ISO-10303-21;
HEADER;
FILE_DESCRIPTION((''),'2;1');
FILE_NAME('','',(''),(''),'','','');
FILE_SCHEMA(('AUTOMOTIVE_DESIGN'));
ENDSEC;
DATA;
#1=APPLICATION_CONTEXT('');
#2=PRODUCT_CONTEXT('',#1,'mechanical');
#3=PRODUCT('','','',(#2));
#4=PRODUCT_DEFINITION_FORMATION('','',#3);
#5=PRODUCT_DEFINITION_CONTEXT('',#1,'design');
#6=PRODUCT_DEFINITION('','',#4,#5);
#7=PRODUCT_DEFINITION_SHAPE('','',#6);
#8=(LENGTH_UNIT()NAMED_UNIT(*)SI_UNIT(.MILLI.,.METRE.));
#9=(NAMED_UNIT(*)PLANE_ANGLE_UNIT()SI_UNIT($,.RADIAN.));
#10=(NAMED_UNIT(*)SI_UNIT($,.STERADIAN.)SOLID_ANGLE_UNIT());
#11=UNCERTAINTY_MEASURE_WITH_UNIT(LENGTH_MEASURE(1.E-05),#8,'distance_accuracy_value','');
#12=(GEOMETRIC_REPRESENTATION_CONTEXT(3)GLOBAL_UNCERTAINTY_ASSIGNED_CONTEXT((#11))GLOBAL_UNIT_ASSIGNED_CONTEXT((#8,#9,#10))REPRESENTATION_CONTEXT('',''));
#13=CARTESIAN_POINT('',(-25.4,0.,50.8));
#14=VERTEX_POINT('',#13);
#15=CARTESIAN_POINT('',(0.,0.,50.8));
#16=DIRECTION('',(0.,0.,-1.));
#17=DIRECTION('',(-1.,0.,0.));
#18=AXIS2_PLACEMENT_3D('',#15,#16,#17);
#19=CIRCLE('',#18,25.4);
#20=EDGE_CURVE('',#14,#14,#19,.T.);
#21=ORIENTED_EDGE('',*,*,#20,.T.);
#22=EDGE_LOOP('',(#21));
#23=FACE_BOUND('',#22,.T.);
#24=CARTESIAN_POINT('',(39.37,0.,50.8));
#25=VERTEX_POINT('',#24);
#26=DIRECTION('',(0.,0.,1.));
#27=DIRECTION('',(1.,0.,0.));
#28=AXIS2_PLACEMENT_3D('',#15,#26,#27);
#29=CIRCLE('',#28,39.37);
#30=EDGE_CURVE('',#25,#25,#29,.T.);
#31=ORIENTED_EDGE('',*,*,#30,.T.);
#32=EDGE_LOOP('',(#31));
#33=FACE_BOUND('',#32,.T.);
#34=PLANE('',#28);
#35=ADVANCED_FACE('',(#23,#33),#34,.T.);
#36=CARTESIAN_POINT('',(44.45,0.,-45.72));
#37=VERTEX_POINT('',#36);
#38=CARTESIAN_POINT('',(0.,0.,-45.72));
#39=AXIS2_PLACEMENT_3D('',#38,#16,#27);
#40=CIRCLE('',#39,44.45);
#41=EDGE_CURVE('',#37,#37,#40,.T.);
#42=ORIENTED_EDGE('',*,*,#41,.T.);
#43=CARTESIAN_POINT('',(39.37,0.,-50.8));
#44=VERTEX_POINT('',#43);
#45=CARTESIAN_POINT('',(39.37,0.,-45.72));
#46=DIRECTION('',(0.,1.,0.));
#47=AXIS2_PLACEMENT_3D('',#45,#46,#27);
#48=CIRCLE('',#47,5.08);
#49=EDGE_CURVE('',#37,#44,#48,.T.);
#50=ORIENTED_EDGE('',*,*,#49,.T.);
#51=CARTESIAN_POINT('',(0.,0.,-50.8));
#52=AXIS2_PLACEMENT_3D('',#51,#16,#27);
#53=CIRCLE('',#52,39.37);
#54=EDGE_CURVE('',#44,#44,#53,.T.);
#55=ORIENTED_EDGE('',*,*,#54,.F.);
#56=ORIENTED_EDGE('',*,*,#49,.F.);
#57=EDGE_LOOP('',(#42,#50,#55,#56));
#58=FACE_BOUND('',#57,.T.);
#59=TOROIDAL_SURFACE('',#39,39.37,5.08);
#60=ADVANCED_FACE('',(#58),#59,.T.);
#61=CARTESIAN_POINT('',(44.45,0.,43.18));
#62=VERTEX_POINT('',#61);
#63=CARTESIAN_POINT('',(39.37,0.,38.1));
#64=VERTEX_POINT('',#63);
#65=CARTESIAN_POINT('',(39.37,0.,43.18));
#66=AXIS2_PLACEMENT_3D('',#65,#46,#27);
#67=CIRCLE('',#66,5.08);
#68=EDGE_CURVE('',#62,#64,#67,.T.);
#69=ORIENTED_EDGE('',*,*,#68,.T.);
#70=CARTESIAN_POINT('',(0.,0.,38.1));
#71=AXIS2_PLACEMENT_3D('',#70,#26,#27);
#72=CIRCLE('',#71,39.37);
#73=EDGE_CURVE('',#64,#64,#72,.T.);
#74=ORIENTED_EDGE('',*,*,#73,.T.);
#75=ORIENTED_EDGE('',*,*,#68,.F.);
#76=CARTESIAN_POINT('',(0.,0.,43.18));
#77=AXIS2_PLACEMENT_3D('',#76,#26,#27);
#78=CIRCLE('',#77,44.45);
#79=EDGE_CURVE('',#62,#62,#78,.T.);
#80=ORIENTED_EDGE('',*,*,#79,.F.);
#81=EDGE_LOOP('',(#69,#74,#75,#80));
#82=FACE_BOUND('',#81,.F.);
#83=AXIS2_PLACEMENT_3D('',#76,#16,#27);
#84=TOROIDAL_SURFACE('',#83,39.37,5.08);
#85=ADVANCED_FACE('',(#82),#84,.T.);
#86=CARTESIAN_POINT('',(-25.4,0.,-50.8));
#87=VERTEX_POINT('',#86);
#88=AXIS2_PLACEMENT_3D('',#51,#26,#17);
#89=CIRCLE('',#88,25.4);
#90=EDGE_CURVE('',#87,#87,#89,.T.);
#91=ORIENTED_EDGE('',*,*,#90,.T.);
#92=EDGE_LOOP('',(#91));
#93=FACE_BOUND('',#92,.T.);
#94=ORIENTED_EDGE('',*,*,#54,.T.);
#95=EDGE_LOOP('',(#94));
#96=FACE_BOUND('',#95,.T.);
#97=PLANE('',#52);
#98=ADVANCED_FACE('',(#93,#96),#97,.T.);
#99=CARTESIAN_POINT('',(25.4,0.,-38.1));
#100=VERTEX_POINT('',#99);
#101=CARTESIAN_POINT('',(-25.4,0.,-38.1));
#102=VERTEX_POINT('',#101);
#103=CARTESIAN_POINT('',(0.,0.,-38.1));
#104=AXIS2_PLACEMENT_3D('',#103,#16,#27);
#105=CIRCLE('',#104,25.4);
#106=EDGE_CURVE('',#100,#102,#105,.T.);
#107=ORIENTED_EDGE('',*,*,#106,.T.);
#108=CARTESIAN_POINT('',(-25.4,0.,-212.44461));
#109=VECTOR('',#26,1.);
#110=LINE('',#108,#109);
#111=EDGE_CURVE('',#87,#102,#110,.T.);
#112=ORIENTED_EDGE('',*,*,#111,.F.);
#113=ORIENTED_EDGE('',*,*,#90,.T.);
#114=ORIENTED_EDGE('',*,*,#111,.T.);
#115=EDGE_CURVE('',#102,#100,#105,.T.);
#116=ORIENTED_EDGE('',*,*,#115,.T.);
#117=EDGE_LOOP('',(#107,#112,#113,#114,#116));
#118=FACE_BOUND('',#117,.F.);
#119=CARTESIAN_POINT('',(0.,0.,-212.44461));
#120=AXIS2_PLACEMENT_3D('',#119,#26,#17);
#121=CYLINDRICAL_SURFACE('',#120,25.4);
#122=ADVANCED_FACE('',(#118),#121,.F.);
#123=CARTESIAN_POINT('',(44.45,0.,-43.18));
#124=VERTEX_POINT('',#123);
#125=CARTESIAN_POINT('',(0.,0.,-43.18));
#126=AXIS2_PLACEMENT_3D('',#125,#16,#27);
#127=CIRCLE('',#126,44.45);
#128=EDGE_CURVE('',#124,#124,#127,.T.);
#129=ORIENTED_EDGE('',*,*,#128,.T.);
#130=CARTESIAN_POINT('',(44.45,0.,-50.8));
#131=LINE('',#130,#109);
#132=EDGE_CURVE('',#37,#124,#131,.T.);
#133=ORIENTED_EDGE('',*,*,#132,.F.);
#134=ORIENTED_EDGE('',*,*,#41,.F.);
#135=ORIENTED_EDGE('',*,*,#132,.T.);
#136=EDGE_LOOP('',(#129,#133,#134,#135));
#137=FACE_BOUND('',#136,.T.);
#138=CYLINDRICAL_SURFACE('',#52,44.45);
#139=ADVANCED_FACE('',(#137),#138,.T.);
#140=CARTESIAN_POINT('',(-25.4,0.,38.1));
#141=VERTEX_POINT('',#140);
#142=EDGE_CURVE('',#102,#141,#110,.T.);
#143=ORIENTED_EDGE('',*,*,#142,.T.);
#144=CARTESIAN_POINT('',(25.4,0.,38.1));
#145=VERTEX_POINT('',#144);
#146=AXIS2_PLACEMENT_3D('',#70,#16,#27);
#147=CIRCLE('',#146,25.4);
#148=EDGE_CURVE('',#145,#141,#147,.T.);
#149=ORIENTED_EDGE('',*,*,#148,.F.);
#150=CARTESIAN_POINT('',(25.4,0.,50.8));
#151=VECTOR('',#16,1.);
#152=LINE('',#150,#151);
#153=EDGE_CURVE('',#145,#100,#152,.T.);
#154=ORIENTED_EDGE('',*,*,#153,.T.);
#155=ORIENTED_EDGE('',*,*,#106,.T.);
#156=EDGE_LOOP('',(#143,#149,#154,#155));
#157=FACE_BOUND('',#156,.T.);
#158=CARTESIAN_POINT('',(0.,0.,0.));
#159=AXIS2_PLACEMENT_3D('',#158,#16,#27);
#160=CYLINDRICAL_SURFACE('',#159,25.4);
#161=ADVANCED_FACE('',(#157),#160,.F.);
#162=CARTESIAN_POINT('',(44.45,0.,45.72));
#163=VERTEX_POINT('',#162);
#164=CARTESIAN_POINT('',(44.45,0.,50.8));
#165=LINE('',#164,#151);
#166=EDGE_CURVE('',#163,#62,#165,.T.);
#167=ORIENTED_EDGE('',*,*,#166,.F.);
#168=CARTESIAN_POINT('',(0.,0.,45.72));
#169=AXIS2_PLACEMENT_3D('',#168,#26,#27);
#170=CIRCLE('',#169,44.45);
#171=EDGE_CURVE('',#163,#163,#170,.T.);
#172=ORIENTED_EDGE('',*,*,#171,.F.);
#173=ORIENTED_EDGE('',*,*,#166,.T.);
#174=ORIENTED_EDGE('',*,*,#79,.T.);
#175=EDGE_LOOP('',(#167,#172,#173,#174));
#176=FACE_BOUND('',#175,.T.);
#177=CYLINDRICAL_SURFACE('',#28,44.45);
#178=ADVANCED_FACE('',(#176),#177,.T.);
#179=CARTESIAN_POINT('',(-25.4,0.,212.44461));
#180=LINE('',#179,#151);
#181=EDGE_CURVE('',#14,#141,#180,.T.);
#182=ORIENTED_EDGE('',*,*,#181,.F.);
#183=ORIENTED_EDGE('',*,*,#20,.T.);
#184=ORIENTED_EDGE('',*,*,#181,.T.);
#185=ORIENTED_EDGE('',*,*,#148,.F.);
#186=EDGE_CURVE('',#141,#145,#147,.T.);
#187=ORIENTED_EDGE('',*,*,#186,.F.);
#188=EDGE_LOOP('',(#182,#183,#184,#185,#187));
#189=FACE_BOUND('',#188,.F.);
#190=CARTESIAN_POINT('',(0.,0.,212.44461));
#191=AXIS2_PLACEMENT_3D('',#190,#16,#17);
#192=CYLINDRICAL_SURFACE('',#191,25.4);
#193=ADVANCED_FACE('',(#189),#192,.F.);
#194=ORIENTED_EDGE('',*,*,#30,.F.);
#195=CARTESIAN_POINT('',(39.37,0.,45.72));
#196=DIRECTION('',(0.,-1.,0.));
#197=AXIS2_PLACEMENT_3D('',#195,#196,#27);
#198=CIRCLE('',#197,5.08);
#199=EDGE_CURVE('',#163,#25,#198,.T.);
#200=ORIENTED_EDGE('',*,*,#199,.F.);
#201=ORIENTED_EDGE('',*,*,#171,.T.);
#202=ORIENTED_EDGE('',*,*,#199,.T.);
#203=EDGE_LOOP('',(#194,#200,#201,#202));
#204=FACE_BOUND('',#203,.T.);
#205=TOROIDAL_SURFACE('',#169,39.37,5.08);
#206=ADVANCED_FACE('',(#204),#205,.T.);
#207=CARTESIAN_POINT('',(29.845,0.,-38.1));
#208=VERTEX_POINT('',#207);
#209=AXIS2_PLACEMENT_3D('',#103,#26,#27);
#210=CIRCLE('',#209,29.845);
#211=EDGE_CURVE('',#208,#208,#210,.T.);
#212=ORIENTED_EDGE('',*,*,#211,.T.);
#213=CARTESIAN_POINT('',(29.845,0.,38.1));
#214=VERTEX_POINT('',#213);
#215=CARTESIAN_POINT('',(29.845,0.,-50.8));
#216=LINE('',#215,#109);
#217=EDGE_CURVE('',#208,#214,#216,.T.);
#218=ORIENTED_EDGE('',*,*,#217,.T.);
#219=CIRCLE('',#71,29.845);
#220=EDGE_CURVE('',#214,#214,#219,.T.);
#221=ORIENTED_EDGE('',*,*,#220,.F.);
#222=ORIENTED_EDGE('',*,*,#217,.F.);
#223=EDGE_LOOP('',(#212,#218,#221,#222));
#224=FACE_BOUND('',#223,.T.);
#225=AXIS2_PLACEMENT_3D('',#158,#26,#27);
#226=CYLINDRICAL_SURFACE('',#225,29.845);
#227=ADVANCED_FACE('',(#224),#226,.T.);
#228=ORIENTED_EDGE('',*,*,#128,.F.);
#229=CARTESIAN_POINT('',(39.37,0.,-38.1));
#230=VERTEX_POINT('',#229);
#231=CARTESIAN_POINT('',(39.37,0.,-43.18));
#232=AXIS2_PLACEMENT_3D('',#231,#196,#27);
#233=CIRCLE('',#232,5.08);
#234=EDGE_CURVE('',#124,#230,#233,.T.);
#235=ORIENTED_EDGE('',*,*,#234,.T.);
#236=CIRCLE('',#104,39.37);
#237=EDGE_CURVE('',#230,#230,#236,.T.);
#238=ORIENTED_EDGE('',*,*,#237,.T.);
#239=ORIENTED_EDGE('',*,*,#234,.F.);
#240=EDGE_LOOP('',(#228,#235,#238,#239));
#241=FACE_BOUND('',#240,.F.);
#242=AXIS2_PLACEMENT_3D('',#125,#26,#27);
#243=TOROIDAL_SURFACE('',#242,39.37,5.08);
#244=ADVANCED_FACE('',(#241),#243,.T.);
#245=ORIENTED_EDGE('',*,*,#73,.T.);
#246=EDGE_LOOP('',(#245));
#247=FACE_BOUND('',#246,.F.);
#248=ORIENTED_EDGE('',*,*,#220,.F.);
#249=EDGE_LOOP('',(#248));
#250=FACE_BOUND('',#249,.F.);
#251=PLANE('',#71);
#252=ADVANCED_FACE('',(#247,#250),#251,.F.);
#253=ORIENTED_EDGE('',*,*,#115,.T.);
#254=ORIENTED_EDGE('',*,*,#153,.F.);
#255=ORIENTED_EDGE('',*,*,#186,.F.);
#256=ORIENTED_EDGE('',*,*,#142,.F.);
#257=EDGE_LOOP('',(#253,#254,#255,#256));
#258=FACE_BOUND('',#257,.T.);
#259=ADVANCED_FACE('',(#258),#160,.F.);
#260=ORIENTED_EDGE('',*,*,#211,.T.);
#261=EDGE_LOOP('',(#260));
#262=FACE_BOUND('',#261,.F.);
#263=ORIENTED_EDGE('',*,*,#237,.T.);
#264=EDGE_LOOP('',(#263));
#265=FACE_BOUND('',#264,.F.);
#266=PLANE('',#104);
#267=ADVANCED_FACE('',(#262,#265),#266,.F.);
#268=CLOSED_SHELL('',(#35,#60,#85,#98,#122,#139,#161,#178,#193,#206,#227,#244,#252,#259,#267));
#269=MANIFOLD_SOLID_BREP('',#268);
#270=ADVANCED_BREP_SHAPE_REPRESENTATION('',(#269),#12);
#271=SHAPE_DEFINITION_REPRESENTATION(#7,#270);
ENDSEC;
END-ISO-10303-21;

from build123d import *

# Parameters (mm, degrees)
F0_R     = 29.845
F0_R_2   = 25.4
F1_DEPTH = 50.8
F2_R     = 44.45
F3_DEPTH = 12.7
F4_R     = 5.08
F6_D     = 50.8
F7_R     = 44.45
F8_DEPTH = 12.7
F9_R     = 5.08
F11_D    = 50.8


with BuildPart() as f1:
    # F0 (on Top) → F1 (new body, symmetric)
    with BuildSketch(Plane.XY):
        Circle(F0_R)
        Circle(F0_R_2, mode=Mode.SUBTRACT)
    extrude(amount=F1_DEPTH, both=True)

    # F2 (on face) → F3 (join)
    with BuildSketch(Plane(origin=(0, 0, -50.8), x_dir=(1, 0, 0), z_dir=(0, 0, -1))):
        Circle(F2_R)
    extrude(amount=-F3_DEPTH)

    # F4
    f4_edges = [f1.edges().sort_by_distance(p)[0] for p in [
        (44.45, 0, -44.45),
        (-44.45, 0, -50.8),
        (-44.45, 0, -38.1),
    ]]
    fillet(f4_edges, radius=F4_R)

    # F6 (through all)
    with Locations(Plane(origin=(0, 0, -50.8), x_dir=(1, 0, 0), z_dir=(0, 0, -1))):
        with Locations((0, 0)):
            Hole(F6_D / 2)

    # F7 (on face) → F8 (join)
    with BuildSketch(Plane.XY.offset(50.8)):
        Circle(F7_R)
    extrude(amount=-F8_DEPTH)

    # F9
    f9_edges = [f1.edges().sort_by_distance(p)[0] for p in [
        (44.45, 0, 44.45),
        (-44.45, 0, 50.8),
        (-44.45, 0, 38.1),
    ]]
    fillet(f9_edges, radius=F9_R)

    # F11 (through all)
    with Locations(Plane.XY.offset(50.8)):
        with Locations((0, 0)):
            Hole(F11_D / 2)


solid = f1.part
